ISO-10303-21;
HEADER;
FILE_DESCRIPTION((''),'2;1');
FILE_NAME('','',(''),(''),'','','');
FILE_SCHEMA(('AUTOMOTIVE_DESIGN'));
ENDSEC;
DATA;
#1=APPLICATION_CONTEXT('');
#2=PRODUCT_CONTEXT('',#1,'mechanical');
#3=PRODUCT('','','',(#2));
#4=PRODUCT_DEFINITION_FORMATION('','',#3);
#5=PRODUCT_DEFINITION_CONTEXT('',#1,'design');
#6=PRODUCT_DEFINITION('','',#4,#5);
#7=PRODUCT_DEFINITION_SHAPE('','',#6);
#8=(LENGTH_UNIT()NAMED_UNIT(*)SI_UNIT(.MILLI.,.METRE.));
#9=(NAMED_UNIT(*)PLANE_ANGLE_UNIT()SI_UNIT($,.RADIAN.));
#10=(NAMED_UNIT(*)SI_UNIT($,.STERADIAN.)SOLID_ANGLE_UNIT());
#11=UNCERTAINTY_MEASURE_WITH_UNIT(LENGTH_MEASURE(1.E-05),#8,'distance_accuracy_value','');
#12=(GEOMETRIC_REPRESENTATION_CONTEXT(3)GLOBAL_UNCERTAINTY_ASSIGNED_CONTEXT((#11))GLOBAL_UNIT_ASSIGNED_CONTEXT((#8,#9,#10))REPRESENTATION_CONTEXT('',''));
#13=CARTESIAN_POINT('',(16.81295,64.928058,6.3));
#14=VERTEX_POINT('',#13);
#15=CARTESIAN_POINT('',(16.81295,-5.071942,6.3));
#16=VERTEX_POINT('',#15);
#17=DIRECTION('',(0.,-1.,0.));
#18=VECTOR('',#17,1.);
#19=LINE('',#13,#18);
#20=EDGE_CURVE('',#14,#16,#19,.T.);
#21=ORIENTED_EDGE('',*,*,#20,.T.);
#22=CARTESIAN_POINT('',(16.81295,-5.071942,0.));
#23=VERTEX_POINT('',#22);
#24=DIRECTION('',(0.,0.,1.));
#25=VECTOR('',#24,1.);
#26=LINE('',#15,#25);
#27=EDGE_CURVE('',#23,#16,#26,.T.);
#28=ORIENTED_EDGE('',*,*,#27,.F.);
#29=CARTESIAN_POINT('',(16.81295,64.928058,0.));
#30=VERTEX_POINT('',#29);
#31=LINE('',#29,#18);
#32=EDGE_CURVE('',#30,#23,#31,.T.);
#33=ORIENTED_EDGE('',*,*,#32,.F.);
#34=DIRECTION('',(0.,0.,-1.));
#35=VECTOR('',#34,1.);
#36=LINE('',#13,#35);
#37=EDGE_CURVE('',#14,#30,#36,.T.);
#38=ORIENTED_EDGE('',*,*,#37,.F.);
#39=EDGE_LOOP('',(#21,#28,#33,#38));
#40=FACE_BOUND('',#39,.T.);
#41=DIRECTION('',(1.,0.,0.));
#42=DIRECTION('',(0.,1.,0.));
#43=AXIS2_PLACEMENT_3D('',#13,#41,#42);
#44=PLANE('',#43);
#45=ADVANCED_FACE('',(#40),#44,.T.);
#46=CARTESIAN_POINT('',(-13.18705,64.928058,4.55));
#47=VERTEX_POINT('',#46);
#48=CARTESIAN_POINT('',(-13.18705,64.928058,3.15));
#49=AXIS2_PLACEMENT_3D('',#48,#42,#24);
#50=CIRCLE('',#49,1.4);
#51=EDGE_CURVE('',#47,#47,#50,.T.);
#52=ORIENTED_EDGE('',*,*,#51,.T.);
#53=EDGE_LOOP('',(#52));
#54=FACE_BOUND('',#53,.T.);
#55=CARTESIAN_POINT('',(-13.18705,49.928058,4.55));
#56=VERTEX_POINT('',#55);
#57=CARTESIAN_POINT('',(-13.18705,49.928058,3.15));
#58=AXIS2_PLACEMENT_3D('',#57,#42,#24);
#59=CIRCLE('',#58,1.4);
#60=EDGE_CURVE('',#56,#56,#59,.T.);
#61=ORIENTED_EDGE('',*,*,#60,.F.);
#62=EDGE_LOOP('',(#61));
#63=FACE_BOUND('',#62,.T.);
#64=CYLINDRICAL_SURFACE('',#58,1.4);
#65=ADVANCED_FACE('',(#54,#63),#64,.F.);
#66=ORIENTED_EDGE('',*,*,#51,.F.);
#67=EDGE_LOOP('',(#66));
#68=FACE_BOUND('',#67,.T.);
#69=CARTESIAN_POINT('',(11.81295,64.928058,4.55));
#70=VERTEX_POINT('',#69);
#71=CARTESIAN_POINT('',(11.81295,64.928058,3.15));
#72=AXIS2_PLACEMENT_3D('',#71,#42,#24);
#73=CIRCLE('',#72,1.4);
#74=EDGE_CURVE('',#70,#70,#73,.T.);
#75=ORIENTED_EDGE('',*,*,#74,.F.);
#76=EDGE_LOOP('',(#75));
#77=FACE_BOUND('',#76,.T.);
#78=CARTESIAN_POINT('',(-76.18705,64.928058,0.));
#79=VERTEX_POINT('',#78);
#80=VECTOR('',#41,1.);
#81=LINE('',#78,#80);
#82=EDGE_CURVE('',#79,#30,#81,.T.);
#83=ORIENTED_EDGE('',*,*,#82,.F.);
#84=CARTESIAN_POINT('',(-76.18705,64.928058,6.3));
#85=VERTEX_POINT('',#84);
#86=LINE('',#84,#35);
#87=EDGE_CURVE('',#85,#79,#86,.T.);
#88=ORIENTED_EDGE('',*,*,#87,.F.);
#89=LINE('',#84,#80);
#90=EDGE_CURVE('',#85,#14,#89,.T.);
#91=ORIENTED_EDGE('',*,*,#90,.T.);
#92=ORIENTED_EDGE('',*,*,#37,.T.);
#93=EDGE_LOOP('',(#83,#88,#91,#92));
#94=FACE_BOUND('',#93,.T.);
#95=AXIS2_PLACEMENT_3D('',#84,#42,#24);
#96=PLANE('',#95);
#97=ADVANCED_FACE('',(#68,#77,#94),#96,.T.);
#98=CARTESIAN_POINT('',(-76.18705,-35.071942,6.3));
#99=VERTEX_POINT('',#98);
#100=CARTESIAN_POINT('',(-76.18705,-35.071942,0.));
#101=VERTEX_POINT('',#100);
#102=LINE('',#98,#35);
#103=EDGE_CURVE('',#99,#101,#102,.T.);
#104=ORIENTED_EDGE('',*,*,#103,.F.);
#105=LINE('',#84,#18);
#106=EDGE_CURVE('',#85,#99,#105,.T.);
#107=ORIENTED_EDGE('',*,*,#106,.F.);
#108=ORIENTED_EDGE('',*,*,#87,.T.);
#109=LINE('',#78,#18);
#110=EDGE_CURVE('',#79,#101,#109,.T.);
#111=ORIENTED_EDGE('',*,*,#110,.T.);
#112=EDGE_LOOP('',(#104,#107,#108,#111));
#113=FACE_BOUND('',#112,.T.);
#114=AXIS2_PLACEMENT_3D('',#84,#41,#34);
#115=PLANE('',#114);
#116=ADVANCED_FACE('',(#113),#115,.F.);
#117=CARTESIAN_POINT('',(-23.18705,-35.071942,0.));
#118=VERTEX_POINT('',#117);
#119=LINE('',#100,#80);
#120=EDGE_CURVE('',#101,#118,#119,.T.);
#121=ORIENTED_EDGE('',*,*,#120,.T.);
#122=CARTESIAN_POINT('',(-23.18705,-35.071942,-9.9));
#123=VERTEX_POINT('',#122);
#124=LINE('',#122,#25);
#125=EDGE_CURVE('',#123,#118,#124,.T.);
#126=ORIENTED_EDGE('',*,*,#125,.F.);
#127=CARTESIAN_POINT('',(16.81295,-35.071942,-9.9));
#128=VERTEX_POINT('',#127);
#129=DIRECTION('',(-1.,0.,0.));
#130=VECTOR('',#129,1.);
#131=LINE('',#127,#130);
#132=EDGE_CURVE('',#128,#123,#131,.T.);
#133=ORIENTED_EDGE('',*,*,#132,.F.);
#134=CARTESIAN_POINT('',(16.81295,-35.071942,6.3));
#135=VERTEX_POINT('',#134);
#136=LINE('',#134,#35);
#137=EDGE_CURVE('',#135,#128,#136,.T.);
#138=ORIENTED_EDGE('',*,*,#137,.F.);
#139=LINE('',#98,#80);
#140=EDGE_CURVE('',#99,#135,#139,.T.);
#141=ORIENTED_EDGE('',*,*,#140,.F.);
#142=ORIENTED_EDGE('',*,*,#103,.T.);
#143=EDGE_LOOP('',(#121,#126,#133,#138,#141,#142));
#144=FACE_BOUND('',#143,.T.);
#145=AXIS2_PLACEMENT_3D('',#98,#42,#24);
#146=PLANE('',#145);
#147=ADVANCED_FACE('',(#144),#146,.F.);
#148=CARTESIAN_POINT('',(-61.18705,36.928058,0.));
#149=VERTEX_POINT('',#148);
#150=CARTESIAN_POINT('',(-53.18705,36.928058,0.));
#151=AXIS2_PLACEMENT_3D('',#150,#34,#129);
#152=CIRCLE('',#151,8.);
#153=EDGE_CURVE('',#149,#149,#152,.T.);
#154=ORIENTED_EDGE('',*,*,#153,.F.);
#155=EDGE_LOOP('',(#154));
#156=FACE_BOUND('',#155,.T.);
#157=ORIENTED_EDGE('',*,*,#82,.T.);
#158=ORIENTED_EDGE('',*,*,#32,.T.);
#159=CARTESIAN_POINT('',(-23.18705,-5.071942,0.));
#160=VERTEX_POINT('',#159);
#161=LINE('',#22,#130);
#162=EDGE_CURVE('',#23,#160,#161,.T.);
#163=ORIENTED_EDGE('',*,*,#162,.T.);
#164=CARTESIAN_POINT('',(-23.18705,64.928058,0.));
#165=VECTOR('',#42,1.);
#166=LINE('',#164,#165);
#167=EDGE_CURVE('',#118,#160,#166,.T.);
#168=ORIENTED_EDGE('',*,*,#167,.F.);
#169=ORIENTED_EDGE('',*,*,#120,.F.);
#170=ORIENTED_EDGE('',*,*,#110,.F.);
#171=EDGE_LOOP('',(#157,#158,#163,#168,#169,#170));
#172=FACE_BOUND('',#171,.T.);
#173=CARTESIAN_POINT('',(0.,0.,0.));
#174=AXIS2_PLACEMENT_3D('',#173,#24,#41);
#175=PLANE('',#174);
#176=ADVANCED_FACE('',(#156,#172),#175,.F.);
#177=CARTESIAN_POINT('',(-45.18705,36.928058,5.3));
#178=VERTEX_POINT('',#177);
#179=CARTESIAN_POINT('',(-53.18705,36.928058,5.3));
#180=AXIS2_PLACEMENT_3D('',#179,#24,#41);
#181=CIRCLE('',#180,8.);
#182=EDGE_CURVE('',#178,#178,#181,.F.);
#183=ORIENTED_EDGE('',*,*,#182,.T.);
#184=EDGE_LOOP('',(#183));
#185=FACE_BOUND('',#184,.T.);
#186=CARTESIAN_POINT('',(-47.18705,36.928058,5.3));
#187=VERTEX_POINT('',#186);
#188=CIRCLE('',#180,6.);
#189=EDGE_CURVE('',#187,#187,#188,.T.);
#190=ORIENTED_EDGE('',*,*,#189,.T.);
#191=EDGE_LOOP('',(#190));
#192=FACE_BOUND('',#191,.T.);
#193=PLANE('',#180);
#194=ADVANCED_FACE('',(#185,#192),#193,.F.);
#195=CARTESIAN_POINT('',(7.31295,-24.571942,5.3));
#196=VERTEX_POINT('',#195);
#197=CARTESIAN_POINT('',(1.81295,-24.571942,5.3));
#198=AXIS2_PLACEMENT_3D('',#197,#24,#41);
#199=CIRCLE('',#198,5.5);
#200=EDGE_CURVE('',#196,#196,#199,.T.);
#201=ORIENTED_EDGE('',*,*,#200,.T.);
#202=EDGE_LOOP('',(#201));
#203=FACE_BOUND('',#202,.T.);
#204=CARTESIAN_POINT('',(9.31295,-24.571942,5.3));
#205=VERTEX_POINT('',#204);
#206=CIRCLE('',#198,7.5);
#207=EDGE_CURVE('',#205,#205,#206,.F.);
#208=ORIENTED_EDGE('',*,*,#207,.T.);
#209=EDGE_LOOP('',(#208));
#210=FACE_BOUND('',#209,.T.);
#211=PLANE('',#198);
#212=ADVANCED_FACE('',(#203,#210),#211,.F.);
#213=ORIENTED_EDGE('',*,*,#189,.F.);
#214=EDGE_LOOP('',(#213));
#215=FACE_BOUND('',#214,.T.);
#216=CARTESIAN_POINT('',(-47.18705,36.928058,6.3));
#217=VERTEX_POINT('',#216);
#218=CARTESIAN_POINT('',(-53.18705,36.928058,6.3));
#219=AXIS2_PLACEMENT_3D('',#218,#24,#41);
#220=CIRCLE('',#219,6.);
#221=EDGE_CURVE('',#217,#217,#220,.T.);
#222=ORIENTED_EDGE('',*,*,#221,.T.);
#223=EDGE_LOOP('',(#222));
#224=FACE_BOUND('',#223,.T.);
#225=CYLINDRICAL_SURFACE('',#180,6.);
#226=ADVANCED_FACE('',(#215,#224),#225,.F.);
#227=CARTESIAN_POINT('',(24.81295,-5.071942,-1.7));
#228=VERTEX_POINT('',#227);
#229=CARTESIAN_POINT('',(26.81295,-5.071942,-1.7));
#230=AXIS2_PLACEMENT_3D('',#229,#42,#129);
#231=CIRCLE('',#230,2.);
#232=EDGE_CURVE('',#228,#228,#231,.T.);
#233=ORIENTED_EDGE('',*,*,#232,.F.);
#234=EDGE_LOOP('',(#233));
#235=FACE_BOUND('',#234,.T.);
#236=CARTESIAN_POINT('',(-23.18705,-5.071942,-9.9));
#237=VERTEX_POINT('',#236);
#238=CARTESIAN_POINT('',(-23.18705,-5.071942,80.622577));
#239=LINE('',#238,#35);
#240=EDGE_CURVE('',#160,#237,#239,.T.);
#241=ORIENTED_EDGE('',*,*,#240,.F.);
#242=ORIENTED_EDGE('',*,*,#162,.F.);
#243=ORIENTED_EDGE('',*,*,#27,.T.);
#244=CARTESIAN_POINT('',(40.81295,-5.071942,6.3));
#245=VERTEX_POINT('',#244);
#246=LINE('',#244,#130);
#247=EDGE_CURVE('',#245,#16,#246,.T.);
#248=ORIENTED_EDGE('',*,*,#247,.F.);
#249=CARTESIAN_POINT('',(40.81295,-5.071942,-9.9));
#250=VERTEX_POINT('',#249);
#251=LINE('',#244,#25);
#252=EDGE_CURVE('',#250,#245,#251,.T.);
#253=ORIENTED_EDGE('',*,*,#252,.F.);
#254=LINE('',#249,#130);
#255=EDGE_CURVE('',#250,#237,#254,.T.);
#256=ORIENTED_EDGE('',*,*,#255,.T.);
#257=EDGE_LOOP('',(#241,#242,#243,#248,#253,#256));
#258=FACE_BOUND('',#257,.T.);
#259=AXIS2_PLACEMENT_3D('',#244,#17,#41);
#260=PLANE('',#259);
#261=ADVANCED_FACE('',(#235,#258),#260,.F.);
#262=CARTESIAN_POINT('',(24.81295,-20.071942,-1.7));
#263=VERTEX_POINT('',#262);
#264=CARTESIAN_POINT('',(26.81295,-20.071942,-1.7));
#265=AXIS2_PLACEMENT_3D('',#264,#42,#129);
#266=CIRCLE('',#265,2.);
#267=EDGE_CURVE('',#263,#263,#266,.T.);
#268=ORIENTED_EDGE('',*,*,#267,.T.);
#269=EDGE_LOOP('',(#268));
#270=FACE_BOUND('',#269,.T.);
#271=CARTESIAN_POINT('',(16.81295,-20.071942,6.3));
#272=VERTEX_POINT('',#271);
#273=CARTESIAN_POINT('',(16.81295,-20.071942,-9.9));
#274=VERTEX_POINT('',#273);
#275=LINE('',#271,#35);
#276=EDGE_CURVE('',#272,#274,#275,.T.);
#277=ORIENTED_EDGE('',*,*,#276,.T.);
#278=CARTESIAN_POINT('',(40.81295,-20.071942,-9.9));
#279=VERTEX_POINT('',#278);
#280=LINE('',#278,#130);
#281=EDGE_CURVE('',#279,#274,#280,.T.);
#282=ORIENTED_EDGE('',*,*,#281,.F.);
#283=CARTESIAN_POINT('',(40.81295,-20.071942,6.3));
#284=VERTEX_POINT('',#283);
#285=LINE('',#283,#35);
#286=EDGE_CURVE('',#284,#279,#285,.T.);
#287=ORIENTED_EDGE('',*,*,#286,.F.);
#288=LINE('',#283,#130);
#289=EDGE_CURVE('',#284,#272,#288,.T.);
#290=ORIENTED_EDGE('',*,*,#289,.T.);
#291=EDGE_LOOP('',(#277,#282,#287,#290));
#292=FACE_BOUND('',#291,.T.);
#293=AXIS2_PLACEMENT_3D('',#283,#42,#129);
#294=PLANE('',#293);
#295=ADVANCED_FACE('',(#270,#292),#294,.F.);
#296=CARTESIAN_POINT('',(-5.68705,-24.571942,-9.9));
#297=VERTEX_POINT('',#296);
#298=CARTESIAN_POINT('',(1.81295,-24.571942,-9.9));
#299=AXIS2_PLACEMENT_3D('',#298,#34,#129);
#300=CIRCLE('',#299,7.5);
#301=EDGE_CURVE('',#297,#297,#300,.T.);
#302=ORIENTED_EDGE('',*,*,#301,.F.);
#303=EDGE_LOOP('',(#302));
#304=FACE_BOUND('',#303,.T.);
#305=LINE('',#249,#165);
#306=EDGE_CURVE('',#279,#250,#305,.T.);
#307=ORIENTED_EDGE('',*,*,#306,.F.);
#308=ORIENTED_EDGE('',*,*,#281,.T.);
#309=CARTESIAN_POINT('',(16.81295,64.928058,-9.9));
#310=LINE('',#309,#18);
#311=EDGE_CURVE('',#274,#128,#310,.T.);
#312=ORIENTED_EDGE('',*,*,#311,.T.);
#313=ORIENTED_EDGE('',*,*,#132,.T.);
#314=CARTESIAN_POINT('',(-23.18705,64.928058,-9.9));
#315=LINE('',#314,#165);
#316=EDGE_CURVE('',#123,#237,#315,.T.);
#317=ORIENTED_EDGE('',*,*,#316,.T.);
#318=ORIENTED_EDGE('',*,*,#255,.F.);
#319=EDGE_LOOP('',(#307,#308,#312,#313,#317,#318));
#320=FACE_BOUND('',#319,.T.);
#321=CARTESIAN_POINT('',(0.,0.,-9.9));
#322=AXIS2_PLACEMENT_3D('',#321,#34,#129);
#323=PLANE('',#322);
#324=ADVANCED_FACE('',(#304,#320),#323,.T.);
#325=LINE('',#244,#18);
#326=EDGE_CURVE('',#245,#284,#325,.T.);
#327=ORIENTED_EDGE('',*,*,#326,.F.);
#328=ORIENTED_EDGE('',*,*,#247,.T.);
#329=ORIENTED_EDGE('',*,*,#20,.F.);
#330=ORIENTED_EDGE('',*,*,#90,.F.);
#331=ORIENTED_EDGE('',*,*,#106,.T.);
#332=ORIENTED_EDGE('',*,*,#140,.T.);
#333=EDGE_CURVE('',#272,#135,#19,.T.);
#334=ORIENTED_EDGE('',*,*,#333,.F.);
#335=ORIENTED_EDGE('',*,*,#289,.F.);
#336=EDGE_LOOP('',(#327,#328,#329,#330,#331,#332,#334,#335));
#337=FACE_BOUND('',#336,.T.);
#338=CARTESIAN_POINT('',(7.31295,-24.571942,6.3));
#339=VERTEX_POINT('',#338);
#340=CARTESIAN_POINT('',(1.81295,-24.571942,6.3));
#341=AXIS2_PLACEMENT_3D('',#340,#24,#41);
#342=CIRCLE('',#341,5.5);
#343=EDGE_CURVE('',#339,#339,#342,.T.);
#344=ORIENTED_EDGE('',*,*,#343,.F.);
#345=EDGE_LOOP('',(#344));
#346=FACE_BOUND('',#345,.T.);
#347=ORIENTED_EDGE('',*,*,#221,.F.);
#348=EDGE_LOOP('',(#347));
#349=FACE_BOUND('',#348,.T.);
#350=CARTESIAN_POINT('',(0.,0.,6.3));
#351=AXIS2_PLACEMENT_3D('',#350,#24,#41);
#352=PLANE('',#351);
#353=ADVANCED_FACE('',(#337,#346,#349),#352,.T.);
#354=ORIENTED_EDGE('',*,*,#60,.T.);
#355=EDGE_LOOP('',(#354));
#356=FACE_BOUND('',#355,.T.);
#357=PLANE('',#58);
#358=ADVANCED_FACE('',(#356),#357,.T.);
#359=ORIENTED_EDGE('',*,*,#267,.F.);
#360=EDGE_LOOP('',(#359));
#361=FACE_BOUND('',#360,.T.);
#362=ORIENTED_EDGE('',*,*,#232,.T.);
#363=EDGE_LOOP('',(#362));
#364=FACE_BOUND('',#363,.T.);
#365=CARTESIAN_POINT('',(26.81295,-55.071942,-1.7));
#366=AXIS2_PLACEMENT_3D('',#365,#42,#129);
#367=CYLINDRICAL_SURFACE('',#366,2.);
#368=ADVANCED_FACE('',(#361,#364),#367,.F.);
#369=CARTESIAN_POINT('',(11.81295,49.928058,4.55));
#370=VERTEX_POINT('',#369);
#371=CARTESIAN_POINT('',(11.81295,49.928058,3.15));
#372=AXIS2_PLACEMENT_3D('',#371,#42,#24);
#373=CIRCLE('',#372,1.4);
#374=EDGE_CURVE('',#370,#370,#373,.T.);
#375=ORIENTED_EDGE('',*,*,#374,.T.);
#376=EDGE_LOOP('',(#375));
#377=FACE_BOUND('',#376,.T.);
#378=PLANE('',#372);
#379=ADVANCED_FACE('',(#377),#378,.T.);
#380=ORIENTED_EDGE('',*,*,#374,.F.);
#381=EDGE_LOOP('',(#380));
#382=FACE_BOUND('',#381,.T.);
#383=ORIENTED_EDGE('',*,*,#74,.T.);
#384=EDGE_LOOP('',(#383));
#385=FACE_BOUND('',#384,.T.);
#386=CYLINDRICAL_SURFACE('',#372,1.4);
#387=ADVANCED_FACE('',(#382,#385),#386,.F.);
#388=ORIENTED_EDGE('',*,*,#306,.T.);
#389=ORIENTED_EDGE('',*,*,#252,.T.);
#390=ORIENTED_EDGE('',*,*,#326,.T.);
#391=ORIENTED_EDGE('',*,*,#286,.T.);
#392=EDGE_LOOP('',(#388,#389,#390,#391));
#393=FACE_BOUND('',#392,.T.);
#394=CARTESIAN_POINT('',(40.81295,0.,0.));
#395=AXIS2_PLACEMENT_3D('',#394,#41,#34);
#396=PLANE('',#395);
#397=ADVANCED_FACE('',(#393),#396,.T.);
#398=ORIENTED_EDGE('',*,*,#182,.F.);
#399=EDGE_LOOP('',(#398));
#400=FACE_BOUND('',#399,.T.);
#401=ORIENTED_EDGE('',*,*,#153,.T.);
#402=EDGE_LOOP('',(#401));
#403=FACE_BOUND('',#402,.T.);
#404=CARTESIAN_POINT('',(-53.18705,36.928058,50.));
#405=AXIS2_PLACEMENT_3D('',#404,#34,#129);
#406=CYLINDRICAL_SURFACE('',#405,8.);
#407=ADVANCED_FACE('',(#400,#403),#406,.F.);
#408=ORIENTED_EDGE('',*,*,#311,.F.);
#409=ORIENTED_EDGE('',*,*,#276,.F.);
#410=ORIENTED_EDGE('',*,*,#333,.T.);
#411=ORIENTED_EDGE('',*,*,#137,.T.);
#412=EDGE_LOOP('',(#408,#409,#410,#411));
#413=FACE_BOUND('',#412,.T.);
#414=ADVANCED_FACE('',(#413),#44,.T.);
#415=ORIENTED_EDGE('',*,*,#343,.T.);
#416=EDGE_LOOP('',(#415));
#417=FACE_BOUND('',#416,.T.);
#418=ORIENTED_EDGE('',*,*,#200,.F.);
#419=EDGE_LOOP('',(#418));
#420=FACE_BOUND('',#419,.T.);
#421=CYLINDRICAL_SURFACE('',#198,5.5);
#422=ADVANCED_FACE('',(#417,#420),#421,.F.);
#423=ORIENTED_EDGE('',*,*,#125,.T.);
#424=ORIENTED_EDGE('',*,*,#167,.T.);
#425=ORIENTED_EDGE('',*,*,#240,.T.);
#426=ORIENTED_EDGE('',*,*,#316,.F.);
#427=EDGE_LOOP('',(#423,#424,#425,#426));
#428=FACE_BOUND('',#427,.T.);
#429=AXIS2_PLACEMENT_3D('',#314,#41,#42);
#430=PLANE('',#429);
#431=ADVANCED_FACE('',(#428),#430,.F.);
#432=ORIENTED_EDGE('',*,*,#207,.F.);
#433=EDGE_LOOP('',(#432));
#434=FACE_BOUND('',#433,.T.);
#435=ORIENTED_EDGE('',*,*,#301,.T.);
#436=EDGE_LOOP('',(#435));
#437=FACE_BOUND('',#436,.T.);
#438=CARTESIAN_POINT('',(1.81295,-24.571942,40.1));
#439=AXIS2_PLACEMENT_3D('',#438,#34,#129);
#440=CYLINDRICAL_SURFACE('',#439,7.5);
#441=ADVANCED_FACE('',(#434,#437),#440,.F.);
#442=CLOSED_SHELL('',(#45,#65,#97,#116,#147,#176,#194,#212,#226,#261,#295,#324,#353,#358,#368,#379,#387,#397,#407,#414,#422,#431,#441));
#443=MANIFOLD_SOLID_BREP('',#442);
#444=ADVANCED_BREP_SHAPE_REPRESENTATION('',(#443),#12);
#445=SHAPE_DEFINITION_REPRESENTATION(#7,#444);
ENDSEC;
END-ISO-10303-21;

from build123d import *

# Parameters (mm, degrees)
SKETCH1_W           = 93
SKETCH1_H           = 100
BOSS_EXTRUDE2_DEPTH = 6.3
SKETCH3_W           = 40
SKETCH3_H           = 100
BOSS_EXTRUDE3_DEPTH = 9.9
SKETCH4_W           = 16.2
SKETCH4_H           = 15
BOSS_EXTRUDE4_DEPTH = 24
SKETCH5_R           = 2
CUT_EXTRUDE1_DEPTH  = 50
SKETCH6_R           = 7.5
CUT_EXTRUDE2_DEPTH  = 50
SKETCH7_R           = 8
CUT_EXTRUDE3_DEPTH  = 50
EXTRUDE_THIN1_START = -5.3
SKETCH7_2_R         = 8
SKETCH7_2_R_2       = 6
EXTRUDE_THIN1_DEPTH = 1
EXTRUDE_THIN2_START = -15.2
SKETCH6_2_R         = 7.5
SKETCH6_2_R_2       = 5.5
EXTRUDE_THIN2_DEPTH = 1
SKETCH8_R           = 1.4
CUT_EXTRUDE4_DEPTH  = 20
SKETCH9_W           = 40
SKETCH9_H           = 70
CUT_EXTRUDE5_DEPTH  = 9.9
SKETCH10_R          = 1.4
CUT_EXTRUDE6_DEPTH  = 15


with BuildPart() as part:
    # Sketch1 → Boss-Extrude2 (new body)
    with BuildSketch(Plane.XY):
        with Locations((-29.68705036, 14.928057554)):
            Rectangle(SKETCH1_W, SKETCH1_H)
    extrude(amount=BOSS_EXTRUDE2_DEPTH)

    # Sketch3 → Boss-Extrude3 (add)
    with BuildSketch(Plane(origin=(0, 0, 0), x_dir=(-1, 0, 0), z_dir=(0, 0, -1))):
        with Locations((3.18705036, 14.928057554)):
            Rectangle(SKETCH3_W, SKETCH3_H)
    extrude(amount=BOSS_EXTRUDE3_DEPTH)

    # Sketch4 → Boss-Extrude4 (add)
    with BuildSketch(Plane(origin=(16.81294964, 0, 0), x_dir=(0, 0, -1), z_dir=(1, 0, 0))):
        with Locations((1.8, -12.571942446)):
            Rectangle(SKETCH4_W, SKETCH4_H)
    extrude(amount=BOSS_EXTRUDE4_DEPTH)

    # Sketch5 → Cut-Extrude1 (cut)
    with BuildSketch(Plane(origin=(0, -5.071942446, 0), x_dir=(1, 0, 0), z_dir=(0, 1, 0))):
        with Locations(Location((26.81294964, 1.7, 0), (0, 0, 180))):
            Circle(SKETCH5_R)
    extrude(amount=-CUT_EXTRUDE1_DEPTH, mode=Mode.SUBTRACT)

    # Sketch6 → Cut-Extrude2 (cut)
    with BuildSketch(Plane(origin=(0, 0, -9.9), x_dir=(-1, 0, 0), z_dir=(0, 0, -1))):
        with Locations((-1.81294964, -24.571942446)):
            Circle(SKETCH6_R)
    extrude(amount=-CUT_EXTRUDE2_DEPTH, mode=Mode.SUBTRACT)

    # Sketch7 → Cut-Extrude3 (cut)
    with BuildSketch(Plane(origin=(0, 0, 0), x_dir=(-1, 0, 0), z_dir=(0, 0, -1))):
        with Locations((53.18705036, 36.928057554)):
            Circle(SKETCH7_R)
    extrude(amount=-CUT_EXTRUDE3_DEPTH, mode=Mode.SUBTRACT)

    # Sketch7<2> → Extrude-Thin1 (add)
    with BuildSketch(Plane(origin=(0, 0, 0), x_dir=(-1, 0, 0), z_dir=(0, 0, -1)).offset(EXTRUDE_THIN1_START)):
        with Locations((53.18705036, 36.928057554)):
            Circle(SKETCH7_2_R)
        with Locations((53.18705036, 36.928057554)):
            Circle(SKETCH7_2_R_2, mode=Mode.SUBTRACT)
    extrude(amount=-EXTRUDE_THIN1_DEPTH)

    # Sketch6<2> → Extrude-Thin2 (add)
    with BuildSketch(Plane(origin=(0, 0, -9.9), x_dir=(-1, 0, 0), z_dir=(0, 0, -1)).offset(EXTRUDE_THIN2_START)):
        with Locations((-1.81294964, -24.571942446)):
            Circle(SKETCH6_2_R)
        with Locations((-1.81294964, -24.571942446)):
            Circle(SKETCH6_2_R_2, mode=Mode.SUBTRACT)
    extrude(amount=-EXTRUDE_THIN2_DEPTH)

    # Sketch8 → Cut-Extrude4 (cut)
    with BuildSketch(Plane(origin=(0, 64.928057554, 0), x_dir=(1, 0, 0), z_dir=(0, 1, 0))):
        with Locations(Location((-15.68705036, 1.8, 0), (0, 0, 270))):
            Circle(SKETCH8_R)
        with Locations(Location((9.31294964, 1.8, 0), (0, 0, 270))):
            Circle(SKETCH8_R)
    extrude(amount=-CUT_EXTRUDE4_DEPTH, mode=Mode.SUBTRACT)

    # Sketch9 → Cut-Extrude5 (cut)
    with BuildSketch(Plane(origin=(0, 0, -9.9), x_dir=(-1, 0, 0), z_dir=(0, 0, -1))):
        with Locations((3.18705036, 29.928057554)):
            Rectangle(SKETCH9_W, SKETCH9_H)
    extrude(amount=-CUT_EXTRUDE5_DEPTH, mode=Mode.SUBTRACT)

    # Sketch10 → Cut-Extrude6 (cut)
    with BuildSketch(Plane(origin=(0, 64.928057554, 0), x_dir=(1, 0, 0), z_dir=(0, 1, 0))):
        with Locations(Location((11.81294964, -3.15, 0), (0, 0, 270))):
            Circle(SKETCH10_R)
        with Locations(Location((-13.18705036, -3.15, 0), (0, 0, 270))):
            Circle(SKETCH10_R)
    extrude(amount=-CUT_EXTRUDE6_DEPTH, mode=Mode.SUBTRACT)


solid = part.part
